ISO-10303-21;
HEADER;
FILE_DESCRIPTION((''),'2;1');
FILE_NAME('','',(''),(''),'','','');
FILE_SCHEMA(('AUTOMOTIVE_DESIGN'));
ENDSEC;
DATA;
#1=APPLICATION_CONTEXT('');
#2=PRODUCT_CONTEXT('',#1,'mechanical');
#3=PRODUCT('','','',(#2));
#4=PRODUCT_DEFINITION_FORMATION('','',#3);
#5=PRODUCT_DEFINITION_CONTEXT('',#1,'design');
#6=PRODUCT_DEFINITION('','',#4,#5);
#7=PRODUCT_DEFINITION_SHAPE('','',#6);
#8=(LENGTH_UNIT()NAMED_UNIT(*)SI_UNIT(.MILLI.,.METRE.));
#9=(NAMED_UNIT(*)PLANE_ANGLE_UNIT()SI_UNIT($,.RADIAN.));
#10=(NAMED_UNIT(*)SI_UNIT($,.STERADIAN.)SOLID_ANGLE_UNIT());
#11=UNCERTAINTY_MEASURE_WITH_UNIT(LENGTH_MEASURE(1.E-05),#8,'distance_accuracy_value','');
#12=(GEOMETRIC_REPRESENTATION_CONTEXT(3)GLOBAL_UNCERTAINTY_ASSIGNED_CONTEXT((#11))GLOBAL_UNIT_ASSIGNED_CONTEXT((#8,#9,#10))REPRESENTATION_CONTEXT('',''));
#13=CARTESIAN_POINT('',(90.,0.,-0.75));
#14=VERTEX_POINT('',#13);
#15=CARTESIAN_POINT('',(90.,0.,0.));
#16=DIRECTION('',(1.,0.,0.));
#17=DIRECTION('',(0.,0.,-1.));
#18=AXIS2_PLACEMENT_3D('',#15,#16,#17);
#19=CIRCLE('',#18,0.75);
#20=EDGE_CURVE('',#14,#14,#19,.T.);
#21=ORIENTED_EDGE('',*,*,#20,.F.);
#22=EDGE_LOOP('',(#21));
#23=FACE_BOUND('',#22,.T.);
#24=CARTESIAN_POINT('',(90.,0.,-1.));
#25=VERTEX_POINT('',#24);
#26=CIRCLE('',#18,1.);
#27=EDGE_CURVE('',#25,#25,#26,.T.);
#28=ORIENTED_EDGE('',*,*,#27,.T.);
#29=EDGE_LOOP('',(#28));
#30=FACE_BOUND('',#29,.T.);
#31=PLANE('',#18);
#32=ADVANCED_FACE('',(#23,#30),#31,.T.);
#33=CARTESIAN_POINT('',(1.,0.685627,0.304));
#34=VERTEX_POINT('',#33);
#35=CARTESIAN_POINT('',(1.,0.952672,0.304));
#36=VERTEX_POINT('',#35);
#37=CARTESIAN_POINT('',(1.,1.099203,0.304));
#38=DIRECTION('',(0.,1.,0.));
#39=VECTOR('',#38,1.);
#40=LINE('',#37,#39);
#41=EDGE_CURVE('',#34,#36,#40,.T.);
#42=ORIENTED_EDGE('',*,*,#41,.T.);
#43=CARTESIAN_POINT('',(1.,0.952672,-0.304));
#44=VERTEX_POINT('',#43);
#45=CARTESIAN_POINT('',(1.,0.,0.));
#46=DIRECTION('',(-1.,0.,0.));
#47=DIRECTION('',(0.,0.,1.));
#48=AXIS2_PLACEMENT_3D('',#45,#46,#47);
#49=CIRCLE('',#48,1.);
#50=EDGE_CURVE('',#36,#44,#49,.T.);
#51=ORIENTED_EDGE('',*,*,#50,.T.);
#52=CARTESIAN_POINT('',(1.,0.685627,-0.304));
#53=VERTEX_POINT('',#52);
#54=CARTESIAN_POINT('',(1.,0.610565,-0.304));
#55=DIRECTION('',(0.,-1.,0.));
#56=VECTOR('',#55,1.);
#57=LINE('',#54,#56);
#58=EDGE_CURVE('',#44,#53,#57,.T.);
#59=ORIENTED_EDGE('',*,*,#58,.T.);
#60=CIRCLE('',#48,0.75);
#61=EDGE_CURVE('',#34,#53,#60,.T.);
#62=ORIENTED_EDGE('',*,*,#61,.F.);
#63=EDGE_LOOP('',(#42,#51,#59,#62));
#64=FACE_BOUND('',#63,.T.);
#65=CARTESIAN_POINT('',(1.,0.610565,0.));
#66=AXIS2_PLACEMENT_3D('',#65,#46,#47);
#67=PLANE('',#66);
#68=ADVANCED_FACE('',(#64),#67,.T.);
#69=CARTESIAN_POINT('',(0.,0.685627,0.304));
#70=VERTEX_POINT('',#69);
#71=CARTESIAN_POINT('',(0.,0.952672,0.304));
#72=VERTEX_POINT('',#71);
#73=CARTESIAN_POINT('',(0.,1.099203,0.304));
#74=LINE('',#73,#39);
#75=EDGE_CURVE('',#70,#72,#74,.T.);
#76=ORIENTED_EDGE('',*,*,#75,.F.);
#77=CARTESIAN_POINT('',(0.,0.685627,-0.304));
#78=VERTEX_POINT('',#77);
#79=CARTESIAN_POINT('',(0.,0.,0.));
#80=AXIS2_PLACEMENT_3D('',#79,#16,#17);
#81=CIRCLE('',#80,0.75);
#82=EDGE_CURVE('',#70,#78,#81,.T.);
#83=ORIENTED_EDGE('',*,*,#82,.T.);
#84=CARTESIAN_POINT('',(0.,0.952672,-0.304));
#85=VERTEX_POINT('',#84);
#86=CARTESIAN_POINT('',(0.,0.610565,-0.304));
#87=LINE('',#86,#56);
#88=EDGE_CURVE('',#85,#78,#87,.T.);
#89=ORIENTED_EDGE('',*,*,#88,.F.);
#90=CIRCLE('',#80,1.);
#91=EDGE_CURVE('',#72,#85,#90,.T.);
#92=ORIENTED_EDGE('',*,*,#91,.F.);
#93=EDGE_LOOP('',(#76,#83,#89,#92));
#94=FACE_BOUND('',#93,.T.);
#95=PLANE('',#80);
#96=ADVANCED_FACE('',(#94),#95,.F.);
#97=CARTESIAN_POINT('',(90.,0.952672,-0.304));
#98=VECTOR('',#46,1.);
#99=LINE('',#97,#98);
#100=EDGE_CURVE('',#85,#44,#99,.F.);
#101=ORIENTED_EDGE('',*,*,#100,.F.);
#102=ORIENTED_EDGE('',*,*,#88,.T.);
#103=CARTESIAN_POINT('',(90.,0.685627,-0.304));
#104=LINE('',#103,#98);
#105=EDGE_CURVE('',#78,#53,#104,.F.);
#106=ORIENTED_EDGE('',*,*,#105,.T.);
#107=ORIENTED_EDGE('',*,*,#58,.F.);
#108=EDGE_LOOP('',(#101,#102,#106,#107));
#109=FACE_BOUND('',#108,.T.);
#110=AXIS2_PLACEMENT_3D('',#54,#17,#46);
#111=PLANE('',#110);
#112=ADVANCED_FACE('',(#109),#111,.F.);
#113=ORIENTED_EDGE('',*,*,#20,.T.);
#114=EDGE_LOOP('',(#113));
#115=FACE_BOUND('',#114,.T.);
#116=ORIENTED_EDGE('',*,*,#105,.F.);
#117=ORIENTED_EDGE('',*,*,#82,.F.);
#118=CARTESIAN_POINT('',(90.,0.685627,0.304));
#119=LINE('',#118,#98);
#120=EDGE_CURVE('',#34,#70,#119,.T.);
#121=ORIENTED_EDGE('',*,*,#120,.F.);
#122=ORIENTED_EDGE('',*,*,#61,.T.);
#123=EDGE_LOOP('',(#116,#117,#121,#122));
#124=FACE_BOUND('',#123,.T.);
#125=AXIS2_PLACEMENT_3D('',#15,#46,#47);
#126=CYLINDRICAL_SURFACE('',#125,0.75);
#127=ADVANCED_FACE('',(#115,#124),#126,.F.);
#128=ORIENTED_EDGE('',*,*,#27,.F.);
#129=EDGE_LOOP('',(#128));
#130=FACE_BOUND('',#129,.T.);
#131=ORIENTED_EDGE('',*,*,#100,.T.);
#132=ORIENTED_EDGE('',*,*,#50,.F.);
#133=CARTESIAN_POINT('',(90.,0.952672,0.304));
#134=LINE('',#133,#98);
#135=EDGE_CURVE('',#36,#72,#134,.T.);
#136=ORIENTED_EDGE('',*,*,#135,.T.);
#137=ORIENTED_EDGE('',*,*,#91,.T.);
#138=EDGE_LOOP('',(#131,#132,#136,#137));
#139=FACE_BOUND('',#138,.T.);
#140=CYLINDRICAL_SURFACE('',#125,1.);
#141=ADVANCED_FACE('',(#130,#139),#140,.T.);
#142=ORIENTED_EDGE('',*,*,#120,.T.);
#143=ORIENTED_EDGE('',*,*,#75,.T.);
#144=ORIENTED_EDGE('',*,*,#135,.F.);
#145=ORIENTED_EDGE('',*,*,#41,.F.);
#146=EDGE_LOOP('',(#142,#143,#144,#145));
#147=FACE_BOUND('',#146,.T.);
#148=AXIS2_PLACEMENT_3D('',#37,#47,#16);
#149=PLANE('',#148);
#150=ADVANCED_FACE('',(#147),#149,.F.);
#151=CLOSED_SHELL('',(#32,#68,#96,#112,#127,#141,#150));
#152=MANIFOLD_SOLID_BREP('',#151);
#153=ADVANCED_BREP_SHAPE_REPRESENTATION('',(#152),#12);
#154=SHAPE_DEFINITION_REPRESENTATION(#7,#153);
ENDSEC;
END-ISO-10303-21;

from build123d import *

# Parameters (mm, degrees)
SKETCH1_R           = 1
SKETCH1_R_2         = 0.75
BOSS_EXTRUDE1_DEPTH = 90
CUT_EXTRUDE1_DEPTH  = 1


with BuildPart() as part:
    # Sketch1 → Boss-Extrude1 (new body)
    with BuildSketch(Plane(origin=(0, 0, 0), x_dir=(0, 0, -1), z_dir=(1, 0, 0))):
        Circle(SKETCH1_R)
        Circle(SKETCH1_R_2, mode=Mode.SUBTRACT)
    extrude(amount=BOSS_EXTRUDE1_DEPTH)

    # Sketch2 → Cut-Extrude1 (cut)
    with BuildSketch(Plane.ZY):
        with BuildLine():
            Line((-0.304, 0.610565492), (-0.304, 1.099202537))
            Line((-0.304, 1.099202537), (0.304, 1.099202537))
            Line((0.304, 1.099202537), (0.304, 0.610565492))
            ThreePointArc((0.304, 0.610565492), (0, 0.306565492), (-0.304, 0.610565492))
        make_face()
    extrude(amount=-CUT_EXTRUDE1_DEPTH, mode=Mode.SUBTRACT)


solid = part.part
